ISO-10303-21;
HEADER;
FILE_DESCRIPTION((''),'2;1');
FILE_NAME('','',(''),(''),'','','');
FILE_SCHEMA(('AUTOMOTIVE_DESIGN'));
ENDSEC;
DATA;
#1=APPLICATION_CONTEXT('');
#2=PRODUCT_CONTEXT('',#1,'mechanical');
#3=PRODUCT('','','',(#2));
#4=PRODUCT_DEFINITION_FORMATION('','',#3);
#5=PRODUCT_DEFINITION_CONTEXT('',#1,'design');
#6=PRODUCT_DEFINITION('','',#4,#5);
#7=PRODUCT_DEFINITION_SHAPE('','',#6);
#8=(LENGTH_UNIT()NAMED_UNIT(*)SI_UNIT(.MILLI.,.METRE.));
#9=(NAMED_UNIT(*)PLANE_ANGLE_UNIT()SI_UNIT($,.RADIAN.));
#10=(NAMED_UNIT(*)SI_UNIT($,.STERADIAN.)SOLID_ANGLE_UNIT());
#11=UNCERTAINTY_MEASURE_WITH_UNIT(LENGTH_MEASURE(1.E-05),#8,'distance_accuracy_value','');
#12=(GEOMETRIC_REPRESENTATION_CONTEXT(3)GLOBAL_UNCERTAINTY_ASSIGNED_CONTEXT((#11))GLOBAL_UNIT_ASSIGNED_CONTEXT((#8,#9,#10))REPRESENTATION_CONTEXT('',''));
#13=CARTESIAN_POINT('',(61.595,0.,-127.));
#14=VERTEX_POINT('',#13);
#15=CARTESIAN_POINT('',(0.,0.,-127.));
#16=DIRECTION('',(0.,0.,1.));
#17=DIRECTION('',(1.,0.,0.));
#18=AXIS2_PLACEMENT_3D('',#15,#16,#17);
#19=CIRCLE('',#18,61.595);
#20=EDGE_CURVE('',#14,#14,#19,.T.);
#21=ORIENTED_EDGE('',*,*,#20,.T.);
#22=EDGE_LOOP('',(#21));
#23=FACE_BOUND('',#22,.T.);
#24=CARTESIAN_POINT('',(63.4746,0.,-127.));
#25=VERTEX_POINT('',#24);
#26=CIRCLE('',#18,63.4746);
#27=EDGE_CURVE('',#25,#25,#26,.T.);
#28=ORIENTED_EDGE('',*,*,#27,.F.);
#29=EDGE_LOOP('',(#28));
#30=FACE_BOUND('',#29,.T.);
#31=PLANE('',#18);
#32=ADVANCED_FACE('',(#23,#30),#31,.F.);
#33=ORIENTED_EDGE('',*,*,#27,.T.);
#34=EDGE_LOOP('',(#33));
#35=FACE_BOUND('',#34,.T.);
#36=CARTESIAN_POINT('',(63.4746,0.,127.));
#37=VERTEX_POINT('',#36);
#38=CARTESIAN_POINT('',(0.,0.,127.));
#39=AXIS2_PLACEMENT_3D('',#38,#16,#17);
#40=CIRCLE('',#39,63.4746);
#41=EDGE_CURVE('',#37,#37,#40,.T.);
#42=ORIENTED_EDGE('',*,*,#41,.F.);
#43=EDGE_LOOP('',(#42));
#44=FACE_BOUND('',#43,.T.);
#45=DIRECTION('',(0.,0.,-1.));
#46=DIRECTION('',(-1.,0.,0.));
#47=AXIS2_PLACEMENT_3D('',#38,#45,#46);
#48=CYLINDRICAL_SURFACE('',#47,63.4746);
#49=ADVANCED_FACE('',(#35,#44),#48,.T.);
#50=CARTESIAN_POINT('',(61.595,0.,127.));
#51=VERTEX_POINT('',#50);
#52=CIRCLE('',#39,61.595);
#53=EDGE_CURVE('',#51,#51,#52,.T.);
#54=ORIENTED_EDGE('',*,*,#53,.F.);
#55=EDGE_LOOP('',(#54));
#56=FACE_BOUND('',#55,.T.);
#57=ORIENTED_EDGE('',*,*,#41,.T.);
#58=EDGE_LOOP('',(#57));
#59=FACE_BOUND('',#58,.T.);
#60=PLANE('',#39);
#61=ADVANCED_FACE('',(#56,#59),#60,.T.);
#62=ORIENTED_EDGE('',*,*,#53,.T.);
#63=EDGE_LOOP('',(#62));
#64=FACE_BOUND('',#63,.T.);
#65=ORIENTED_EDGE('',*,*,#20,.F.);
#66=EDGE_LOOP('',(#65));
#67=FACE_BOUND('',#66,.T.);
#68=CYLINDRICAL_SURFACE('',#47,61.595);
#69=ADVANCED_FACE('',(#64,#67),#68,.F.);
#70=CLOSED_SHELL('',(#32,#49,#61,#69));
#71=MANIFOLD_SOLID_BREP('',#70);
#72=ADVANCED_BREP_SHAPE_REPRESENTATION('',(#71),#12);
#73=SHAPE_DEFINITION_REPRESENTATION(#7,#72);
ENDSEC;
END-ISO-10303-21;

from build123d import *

# Parameters (mm, degrees)
SKETCH1_R           = 63.4746
SKETCH1_R_2         = 61.595
BOSS_EXTRUDE1_DEPTH = 127


with BuildPart() as part:
    # Sketch1 → Boss-Extrude1 (new body, symmetric)
    with BuildSketch(Plane.XY):
        Circle(SKETCH1_R)
        Circle(SKETCH1_R_2, mode=Mode.SUBTRACT)
    extrude(amount=BOSS_EXTRUDE1_DEPTH, both=True)


solid = part.part
